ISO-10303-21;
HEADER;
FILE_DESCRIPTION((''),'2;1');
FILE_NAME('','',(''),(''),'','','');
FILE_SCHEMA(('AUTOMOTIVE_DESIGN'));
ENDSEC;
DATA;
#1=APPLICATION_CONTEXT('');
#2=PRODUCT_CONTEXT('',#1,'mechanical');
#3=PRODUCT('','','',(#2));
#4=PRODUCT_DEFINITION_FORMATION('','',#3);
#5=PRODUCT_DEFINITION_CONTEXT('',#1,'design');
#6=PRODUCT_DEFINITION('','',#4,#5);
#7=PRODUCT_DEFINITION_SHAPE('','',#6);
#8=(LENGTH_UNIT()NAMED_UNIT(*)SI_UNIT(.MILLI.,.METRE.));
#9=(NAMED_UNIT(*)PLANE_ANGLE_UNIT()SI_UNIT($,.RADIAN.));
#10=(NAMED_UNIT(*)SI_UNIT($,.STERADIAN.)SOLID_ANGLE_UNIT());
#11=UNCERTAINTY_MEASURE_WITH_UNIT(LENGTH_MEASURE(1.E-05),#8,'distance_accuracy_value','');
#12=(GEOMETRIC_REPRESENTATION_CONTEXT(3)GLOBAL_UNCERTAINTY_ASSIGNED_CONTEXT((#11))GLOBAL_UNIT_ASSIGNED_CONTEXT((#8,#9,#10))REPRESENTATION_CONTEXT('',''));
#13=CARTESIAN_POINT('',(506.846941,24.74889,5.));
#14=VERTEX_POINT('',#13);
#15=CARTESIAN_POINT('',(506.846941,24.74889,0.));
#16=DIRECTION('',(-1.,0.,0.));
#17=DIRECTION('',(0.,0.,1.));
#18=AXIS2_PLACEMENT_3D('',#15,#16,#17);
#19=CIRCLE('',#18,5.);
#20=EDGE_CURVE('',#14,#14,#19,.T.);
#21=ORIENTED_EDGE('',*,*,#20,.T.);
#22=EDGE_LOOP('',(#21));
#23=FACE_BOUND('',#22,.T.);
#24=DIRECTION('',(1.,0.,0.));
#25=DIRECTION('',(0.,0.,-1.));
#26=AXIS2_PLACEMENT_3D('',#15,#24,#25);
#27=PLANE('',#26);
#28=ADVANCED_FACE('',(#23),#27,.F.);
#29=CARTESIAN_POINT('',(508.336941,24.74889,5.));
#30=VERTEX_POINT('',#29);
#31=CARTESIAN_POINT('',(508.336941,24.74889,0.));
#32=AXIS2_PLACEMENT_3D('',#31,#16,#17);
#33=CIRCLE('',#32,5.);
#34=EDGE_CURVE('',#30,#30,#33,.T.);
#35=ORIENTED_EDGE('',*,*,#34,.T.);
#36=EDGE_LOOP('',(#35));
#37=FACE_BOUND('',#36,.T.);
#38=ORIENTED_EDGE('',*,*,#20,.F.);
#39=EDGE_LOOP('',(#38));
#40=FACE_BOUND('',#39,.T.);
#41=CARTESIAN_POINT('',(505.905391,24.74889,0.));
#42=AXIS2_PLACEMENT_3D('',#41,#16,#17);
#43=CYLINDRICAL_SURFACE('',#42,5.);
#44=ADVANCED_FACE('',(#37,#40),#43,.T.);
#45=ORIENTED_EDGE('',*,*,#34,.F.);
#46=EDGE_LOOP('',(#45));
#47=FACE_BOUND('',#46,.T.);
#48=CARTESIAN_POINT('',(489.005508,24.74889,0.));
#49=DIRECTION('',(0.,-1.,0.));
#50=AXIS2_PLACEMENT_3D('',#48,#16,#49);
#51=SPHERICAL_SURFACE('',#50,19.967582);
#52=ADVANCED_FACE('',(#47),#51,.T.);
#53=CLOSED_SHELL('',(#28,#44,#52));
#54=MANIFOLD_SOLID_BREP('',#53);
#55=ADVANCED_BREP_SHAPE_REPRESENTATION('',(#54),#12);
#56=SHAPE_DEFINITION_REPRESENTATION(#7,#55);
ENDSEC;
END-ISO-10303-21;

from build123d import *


with BuildPart() as part:
    # 草图1 → 旋转1 (revolve)
    with BuildSketch(Plane.XY, mode=Mode.PRIVATE) as revolve_1_sk:
        with BuildLine():
            Line((506.846941168, 24.748890306), (506.846941168, 29.748890306))
            Line((506.846941168, 29.748890306), (508.336941168, 29.748890306))
            ThreePointArc((508.336941168, 29.748890306), (508.813413924, 27.269043308), (508.973089432, 24.748890306))
            Line((508.973089432, 24.748890306), (506.846941168, 24.748890306))
        make_face()
    revolve(revolve_1_sk.sketch.rotate(Axis((505.905390696, 24.748890306, 0), (1, 0, 0)), 180), axis=Axis((505.905390696, 24.748890306, 0), (1, 0, 0)))  # turned: the seam where the file's is


solid = part.part
